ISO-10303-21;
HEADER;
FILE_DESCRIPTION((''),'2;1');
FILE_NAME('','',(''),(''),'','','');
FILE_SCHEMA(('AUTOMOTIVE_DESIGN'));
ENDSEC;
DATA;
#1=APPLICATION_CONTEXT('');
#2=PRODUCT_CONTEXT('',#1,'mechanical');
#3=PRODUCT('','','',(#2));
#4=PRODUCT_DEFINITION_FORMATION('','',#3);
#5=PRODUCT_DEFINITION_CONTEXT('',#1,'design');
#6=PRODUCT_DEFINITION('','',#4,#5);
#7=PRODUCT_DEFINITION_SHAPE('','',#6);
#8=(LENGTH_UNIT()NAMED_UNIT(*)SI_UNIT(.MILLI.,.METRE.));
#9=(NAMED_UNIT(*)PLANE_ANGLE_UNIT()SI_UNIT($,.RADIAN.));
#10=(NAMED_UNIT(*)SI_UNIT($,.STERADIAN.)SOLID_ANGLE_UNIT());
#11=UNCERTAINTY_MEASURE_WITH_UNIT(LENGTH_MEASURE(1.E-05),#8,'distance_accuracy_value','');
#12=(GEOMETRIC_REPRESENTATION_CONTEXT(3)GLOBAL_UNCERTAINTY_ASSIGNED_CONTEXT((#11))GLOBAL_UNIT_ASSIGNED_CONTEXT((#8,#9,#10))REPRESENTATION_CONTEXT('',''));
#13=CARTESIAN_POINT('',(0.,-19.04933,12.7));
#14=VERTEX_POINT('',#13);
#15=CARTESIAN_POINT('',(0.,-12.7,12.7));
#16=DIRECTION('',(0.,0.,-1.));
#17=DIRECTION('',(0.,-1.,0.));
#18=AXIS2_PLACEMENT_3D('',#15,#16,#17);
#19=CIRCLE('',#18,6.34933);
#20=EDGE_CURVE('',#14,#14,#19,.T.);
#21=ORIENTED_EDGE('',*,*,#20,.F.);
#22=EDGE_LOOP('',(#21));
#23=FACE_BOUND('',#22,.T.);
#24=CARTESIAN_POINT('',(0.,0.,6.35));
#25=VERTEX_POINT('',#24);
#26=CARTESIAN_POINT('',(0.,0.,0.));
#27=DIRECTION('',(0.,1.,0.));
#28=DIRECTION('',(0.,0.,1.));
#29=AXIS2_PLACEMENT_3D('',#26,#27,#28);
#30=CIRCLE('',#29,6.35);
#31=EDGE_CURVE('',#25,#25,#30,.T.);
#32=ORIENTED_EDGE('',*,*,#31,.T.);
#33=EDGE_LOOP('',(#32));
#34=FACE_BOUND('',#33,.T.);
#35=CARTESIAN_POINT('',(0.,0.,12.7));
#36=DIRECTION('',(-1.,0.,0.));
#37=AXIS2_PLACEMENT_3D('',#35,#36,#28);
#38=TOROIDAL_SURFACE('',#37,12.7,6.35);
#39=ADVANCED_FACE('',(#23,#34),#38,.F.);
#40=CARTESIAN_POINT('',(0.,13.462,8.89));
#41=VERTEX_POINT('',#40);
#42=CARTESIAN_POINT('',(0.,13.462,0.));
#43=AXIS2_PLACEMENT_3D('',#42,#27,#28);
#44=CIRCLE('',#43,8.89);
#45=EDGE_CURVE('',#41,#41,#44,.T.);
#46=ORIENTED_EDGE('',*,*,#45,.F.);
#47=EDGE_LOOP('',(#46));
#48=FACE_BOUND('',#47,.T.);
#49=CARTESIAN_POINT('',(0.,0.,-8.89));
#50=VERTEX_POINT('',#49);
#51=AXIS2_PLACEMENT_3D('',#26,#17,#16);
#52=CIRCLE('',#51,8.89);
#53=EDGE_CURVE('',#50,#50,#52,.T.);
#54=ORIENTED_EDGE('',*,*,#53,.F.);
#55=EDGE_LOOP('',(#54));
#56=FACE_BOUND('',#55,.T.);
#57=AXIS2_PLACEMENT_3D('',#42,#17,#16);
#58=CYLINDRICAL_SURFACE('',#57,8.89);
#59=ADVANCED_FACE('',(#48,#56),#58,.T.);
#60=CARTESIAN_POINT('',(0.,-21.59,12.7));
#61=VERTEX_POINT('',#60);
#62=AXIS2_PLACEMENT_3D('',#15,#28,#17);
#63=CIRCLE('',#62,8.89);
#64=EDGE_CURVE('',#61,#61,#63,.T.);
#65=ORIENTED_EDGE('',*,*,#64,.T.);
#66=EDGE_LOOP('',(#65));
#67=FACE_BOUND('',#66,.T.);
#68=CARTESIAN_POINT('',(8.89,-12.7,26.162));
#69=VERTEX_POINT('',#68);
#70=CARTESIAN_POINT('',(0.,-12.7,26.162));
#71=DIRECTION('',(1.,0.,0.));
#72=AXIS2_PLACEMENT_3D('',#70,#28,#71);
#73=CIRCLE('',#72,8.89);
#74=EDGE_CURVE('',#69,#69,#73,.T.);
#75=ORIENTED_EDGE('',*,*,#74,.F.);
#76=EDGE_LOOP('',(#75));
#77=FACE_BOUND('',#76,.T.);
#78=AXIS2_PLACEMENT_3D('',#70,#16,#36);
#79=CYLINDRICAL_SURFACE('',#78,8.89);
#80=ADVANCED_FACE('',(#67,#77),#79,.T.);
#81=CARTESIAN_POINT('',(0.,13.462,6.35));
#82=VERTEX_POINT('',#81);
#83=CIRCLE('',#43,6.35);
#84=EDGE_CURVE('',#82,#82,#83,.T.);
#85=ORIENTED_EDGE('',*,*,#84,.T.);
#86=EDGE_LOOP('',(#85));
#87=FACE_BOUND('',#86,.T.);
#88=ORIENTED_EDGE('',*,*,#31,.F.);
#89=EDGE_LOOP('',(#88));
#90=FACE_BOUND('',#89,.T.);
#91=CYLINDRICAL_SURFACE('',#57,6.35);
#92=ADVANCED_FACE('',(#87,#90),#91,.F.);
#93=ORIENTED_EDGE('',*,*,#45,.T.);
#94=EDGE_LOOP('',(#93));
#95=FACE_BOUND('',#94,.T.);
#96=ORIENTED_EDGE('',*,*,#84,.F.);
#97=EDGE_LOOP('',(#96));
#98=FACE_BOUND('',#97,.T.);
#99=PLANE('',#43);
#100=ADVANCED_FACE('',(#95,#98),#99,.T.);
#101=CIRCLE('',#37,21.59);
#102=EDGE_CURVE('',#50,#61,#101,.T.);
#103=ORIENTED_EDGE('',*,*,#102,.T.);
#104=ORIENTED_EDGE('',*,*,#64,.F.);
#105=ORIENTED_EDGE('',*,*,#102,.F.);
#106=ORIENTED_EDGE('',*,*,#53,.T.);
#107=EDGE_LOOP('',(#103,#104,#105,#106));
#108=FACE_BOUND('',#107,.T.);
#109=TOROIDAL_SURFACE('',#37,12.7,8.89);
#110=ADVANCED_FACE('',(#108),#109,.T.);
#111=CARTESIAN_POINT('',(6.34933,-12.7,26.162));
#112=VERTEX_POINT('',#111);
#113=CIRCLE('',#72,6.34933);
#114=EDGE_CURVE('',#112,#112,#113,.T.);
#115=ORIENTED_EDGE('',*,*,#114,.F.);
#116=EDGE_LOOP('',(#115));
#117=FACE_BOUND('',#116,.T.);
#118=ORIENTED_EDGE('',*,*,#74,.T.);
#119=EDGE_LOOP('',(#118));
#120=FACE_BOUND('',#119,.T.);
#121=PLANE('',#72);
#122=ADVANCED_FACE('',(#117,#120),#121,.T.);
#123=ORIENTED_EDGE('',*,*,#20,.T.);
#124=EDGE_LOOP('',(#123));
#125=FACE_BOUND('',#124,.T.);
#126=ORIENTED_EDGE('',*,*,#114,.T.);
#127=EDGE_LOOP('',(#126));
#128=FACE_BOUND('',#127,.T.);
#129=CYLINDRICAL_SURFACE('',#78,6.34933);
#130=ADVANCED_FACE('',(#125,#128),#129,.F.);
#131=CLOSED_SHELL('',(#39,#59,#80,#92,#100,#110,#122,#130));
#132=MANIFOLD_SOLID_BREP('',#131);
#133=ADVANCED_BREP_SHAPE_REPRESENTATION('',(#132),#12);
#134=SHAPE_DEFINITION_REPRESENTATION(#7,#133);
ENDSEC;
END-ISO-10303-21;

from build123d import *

# Parameters (mm, degrees)
SKETCH1_R           = 8.89
SKETCH1_R_2         = 6.35
BOSS_EXTRUDE1_DEPTH = 13.462
SKETCH3_R           = 8.89
SKETCH3_R_2         = 6.35
SKETCH5_R           = 8.89
SKETCH5_R_2         = 6.349329507
BOSS_EXTRUDE2_DEPTH = 13.462


with BuildPart() as part:
    # Sketch1 → Boss-Extrude1 (new body)
    with BuildSketch(Plane(origin=(0, 0, 0), x_dir=(1, 0, 0), z_dir=(0, 1, 0))):
        with Locations(Location((0, 0, 0), (0, 0, 270))):
            Circle(SKETCH1_R)
        with Locations(Location((0, 0, 0), (0, 0, 270))):
            Circle(SKETCH1_R_2, mode=Mode.SUBTRACT)
    extrude(amount=BOSS_EXTRUDE1_DEPTH)

    # Sweep1: sweep along a path in Sketch2
    with BuildLine(Plane(origin=(0, 0, 0), x_dir=(0, 0, -1), z_dir=(1, 0, 0))) as sweep1_path:
        ThreePointArc((0, 0), (-3.719743879, -8.980256121), (-12.7, -12.7))
    # Sketch3 → Sweep1 (sweep)
    with BuildSketch(Plane.XZ):
        Circle(SKETCH3_R)
        Circle(SKETCH3_R_2, mode=Mode.SUBTRACT)
    sweep(path=sweep1_path.line)

    # Sketch5 → Boss-Extrude2 (add)
    with BuildSketch(Plane.XY.offset(12.7)):
        with Locations(Location((0, -12.7, 0), (0, 0, 270))):
            Circle(SKETCH5_R)
        with Locations(Location((0, -12.7, 0), (0, 0, 270))):
            Circle(SKETCH5_R_2, mode=Mode.SUBTRACT)
    extrude(amount=BOSS_EXTRUDE2_DEPTH)


solid = part.part
